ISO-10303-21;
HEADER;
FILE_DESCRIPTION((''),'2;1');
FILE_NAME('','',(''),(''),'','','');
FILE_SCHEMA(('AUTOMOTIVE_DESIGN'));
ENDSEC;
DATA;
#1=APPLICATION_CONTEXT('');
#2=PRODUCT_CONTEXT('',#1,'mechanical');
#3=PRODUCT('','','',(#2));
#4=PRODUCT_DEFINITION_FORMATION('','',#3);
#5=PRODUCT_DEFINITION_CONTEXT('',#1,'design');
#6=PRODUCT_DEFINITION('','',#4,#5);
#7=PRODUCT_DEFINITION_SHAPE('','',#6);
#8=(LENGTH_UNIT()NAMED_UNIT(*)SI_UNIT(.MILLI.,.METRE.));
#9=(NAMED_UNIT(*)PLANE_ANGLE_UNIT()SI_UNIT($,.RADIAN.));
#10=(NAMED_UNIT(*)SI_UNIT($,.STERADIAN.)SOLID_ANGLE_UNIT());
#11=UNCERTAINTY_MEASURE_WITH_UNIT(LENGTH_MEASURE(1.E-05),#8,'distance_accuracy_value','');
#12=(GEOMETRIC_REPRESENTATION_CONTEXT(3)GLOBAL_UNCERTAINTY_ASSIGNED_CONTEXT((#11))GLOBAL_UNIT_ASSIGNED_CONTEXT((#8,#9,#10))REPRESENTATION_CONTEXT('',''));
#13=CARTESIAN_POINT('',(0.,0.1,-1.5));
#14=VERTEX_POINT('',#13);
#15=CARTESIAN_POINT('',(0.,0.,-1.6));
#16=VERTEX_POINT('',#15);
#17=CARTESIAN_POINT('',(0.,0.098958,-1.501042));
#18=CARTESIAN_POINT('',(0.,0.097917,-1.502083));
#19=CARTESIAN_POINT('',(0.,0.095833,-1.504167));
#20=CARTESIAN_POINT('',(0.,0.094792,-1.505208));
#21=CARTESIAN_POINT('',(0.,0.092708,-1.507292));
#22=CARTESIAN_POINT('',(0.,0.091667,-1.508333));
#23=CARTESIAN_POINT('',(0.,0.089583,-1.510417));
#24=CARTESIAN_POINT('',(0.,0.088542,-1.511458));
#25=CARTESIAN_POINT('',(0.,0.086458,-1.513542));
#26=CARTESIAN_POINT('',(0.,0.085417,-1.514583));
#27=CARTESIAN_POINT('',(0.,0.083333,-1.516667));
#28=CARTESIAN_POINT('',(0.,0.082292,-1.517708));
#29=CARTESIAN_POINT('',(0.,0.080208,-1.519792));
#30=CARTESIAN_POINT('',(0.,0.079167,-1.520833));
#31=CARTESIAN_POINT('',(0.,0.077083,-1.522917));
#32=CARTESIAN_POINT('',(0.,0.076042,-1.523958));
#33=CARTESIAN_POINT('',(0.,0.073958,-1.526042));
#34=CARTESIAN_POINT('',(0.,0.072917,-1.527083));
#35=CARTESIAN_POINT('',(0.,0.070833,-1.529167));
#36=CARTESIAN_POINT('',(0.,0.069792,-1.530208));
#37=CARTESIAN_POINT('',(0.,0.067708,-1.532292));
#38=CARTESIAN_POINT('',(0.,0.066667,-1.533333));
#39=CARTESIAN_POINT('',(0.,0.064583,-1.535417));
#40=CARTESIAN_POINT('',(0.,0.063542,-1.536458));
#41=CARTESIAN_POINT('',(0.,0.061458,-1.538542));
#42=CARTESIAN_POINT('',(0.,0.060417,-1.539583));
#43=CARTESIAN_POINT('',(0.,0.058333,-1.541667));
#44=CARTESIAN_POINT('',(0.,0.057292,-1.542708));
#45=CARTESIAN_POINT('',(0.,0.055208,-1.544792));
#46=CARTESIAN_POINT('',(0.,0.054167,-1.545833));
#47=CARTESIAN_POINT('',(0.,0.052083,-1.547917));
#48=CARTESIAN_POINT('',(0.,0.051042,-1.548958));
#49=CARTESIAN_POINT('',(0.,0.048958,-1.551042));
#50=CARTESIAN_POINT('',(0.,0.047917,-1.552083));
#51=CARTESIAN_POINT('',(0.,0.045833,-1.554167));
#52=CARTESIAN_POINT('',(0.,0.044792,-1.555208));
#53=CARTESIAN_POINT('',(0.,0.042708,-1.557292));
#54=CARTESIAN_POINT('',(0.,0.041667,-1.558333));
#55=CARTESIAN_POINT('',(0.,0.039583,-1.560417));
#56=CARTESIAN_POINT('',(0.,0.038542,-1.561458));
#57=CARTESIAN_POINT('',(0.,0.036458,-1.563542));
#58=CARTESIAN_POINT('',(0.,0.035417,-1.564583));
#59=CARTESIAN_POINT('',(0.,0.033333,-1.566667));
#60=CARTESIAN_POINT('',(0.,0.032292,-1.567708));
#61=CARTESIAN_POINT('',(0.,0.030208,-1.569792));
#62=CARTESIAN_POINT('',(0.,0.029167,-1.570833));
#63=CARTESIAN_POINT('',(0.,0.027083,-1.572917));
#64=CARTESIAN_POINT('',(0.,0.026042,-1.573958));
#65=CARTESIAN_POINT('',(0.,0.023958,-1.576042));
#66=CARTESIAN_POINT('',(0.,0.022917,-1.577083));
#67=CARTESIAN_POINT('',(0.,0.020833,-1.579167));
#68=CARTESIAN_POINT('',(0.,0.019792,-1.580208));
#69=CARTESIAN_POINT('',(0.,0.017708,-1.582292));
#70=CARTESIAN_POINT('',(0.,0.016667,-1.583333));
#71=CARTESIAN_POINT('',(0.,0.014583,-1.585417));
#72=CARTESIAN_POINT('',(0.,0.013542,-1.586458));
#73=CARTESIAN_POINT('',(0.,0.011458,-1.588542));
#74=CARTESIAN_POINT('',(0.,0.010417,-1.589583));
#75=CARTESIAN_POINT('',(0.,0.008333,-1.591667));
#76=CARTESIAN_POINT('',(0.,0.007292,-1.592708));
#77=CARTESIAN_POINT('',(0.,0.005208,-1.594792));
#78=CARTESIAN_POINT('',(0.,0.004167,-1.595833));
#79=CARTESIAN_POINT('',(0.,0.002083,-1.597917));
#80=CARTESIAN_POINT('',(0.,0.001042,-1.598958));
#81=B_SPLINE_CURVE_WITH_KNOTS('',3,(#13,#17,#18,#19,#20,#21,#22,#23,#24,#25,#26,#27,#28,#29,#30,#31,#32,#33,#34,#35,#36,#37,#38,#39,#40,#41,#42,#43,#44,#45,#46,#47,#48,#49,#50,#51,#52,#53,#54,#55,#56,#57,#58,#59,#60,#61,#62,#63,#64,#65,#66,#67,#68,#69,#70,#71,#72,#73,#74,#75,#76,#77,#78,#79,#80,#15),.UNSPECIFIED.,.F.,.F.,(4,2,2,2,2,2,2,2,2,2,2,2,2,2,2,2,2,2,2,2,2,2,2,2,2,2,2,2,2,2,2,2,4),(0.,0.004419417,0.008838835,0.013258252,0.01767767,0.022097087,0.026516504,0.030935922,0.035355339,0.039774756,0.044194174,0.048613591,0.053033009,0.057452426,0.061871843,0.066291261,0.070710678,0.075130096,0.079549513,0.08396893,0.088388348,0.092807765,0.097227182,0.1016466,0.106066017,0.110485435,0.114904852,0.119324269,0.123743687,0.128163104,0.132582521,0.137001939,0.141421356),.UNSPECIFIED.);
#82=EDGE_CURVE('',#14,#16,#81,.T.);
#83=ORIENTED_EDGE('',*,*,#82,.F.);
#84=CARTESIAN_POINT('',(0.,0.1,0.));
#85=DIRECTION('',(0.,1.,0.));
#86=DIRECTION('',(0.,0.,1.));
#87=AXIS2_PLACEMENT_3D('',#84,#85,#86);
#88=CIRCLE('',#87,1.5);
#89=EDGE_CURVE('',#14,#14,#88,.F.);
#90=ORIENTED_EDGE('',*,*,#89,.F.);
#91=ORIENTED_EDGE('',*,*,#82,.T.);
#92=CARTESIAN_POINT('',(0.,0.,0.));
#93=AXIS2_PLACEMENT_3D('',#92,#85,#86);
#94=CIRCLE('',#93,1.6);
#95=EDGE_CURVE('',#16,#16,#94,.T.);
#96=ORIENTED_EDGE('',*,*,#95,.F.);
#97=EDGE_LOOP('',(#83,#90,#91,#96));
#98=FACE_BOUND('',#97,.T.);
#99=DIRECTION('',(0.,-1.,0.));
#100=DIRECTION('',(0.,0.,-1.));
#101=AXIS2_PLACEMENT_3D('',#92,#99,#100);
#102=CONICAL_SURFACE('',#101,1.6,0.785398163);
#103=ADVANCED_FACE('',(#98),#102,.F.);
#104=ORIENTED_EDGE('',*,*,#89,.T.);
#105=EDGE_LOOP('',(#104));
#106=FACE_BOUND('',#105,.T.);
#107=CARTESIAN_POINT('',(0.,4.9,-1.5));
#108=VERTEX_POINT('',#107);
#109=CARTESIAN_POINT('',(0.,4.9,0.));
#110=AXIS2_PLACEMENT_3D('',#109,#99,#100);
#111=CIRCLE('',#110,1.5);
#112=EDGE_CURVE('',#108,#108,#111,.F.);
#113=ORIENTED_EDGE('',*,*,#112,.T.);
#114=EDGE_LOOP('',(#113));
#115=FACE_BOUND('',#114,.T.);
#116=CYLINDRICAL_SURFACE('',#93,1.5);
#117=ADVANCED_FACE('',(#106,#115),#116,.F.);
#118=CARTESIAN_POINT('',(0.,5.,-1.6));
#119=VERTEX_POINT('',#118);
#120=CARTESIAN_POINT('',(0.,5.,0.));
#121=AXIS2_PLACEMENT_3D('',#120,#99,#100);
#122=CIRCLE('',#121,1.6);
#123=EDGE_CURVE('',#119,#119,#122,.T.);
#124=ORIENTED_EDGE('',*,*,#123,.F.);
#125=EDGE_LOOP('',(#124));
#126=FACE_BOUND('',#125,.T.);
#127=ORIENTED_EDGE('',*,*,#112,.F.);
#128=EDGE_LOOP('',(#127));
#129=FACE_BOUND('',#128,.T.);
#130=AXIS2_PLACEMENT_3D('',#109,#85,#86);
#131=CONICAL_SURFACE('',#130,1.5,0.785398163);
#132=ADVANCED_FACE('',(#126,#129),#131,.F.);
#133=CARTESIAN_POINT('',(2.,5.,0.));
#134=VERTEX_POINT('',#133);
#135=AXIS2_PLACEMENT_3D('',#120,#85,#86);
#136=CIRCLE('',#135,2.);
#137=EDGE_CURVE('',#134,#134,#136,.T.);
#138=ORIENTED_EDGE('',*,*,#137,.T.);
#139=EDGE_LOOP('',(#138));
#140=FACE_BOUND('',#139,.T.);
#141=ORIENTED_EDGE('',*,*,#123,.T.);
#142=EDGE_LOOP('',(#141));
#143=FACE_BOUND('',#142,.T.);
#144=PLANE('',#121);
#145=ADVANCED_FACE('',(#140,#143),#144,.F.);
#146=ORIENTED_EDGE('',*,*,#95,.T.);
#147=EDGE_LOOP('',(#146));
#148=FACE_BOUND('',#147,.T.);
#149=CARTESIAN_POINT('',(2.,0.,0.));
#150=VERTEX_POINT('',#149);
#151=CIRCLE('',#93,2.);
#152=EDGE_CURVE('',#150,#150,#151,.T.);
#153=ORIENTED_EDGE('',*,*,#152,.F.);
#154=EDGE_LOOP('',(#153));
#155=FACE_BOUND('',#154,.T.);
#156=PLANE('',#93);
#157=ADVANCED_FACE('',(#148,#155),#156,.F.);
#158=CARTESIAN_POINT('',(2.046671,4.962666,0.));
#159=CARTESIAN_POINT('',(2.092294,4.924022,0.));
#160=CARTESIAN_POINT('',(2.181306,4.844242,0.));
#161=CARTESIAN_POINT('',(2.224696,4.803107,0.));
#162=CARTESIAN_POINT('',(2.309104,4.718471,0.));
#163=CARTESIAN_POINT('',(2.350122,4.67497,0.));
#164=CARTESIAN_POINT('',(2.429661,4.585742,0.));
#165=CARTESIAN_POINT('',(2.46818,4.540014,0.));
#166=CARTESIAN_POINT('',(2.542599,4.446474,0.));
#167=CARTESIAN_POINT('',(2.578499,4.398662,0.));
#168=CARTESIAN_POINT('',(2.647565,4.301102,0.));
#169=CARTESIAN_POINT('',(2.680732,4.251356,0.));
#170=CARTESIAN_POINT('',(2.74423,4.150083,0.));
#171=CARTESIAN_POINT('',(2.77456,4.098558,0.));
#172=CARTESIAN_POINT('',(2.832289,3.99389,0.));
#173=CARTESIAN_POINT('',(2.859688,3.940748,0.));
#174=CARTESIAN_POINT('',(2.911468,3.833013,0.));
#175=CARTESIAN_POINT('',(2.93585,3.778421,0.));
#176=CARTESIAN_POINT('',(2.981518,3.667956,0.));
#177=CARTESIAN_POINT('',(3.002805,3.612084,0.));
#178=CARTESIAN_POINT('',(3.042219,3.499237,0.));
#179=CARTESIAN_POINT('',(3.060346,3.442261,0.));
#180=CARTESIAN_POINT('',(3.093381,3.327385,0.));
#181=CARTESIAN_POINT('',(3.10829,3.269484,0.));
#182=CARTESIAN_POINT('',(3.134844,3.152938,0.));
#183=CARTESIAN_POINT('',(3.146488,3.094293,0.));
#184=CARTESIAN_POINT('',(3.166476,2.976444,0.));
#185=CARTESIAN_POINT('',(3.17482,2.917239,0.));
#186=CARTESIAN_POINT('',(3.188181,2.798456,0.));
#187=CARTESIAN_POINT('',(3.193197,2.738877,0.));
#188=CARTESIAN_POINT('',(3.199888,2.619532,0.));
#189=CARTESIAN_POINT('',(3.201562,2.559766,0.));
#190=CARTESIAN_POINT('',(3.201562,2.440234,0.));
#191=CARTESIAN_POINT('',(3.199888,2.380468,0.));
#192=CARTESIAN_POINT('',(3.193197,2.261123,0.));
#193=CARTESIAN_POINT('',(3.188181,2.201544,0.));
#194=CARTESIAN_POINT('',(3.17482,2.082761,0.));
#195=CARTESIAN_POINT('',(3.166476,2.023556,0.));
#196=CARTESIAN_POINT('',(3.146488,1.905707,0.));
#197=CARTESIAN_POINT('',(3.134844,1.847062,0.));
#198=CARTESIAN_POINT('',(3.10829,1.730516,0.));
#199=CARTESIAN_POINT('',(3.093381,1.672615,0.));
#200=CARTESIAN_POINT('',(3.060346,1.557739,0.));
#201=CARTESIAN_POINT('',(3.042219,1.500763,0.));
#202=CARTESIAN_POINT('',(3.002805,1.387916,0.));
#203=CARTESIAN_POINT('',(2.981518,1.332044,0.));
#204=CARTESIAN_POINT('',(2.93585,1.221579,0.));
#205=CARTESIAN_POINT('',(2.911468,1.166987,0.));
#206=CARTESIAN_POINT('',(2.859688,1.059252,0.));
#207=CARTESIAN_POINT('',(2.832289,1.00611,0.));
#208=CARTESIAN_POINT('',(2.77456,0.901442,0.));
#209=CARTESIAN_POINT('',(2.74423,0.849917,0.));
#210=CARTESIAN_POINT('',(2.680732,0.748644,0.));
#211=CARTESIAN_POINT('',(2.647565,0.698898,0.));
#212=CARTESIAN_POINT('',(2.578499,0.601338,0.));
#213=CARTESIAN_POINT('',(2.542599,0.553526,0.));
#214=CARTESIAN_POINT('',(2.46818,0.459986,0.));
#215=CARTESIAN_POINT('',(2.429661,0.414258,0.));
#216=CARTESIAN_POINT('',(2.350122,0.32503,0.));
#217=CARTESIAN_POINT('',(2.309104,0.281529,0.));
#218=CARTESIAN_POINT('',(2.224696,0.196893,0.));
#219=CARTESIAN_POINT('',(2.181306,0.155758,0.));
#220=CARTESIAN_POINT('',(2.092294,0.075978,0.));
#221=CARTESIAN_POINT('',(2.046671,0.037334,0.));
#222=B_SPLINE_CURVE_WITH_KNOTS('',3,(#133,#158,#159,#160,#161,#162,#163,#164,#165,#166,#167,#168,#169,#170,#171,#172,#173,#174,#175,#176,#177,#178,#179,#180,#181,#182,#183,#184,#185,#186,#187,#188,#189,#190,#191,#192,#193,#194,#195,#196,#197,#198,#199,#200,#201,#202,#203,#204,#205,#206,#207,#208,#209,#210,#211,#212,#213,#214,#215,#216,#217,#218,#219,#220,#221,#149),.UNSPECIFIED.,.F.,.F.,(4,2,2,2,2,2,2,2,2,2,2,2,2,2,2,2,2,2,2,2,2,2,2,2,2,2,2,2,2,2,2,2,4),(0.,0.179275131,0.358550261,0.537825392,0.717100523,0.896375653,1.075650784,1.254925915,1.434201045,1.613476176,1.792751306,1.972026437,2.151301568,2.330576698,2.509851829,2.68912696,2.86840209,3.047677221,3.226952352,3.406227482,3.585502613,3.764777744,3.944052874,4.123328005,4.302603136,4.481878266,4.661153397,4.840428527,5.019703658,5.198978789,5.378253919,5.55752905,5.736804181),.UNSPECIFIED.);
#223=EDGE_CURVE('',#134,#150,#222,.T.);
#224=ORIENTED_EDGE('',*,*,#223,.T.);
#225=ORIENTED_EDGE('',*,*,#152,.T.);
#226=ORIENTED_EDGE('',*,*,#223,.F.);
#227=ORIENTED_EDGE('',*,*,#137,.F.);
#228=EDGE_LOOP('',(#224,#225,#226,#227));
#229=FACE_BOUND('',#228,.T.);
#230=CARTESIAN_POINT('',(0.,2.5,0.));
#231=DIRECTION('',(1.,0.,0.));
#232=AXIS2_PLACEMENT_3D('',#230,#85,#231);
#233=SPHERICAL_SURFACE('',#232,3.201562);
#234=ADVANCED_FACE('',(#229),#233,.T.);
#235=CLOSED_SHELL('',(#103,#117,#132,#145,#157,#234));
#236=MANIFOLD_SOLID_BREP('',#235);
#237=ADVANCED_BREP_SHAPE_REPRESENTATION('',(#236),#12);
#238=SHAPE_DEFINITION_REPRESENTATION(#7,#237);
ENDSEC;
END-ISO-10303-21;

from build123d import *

# Parameters (mm, degrees)
SKETCH2_R          = 1.5
CUT_EXTRUDE1_DEPTH = 7.745368782
CHAMFER1_SIZE      = 0.1


with BuildPart() as part:
    # Sketch1 → Revolve2 (revolve)
    with BuildSketch(Plane.XY):
        with BuildLine():
            Line((0, 5), (2, 5))
            ThreePointArc((2, 5), (3.201562119, 2.5), (2, 0))
            Line((2, 0), (0, 0))
            Line((0, 0), (0, 5))
        make_face()
    revolve(axis=Axis((0, 0, 0), (0, -1, 0)))

    # Sketch2 → Cut-Extrude1 (cut, through all)
    with BuildSketch(Plane(origin=(0, 5, 0), x_dir=(1, 0, 0), z_dir=(0, 1, 0))):
        with Locations(Location((0, 0, 0), (0, 0, 270))):
            Circle(SKETCH2_R)
    extrude(amount=-CUT_EXTRUDE1_DEPTH, mode=Mode.SUBTRACT)

    # Chamfer1
    chamfer1_edges = [part.edges().sort_by_distance(p)[0] for p in [
        (0, 0, -1.5),
        (0, 5, -1.5),
    ]]
    chamfer(chamfer1_edges, length=CHAMFER1_SIZE)


solid = part.part
